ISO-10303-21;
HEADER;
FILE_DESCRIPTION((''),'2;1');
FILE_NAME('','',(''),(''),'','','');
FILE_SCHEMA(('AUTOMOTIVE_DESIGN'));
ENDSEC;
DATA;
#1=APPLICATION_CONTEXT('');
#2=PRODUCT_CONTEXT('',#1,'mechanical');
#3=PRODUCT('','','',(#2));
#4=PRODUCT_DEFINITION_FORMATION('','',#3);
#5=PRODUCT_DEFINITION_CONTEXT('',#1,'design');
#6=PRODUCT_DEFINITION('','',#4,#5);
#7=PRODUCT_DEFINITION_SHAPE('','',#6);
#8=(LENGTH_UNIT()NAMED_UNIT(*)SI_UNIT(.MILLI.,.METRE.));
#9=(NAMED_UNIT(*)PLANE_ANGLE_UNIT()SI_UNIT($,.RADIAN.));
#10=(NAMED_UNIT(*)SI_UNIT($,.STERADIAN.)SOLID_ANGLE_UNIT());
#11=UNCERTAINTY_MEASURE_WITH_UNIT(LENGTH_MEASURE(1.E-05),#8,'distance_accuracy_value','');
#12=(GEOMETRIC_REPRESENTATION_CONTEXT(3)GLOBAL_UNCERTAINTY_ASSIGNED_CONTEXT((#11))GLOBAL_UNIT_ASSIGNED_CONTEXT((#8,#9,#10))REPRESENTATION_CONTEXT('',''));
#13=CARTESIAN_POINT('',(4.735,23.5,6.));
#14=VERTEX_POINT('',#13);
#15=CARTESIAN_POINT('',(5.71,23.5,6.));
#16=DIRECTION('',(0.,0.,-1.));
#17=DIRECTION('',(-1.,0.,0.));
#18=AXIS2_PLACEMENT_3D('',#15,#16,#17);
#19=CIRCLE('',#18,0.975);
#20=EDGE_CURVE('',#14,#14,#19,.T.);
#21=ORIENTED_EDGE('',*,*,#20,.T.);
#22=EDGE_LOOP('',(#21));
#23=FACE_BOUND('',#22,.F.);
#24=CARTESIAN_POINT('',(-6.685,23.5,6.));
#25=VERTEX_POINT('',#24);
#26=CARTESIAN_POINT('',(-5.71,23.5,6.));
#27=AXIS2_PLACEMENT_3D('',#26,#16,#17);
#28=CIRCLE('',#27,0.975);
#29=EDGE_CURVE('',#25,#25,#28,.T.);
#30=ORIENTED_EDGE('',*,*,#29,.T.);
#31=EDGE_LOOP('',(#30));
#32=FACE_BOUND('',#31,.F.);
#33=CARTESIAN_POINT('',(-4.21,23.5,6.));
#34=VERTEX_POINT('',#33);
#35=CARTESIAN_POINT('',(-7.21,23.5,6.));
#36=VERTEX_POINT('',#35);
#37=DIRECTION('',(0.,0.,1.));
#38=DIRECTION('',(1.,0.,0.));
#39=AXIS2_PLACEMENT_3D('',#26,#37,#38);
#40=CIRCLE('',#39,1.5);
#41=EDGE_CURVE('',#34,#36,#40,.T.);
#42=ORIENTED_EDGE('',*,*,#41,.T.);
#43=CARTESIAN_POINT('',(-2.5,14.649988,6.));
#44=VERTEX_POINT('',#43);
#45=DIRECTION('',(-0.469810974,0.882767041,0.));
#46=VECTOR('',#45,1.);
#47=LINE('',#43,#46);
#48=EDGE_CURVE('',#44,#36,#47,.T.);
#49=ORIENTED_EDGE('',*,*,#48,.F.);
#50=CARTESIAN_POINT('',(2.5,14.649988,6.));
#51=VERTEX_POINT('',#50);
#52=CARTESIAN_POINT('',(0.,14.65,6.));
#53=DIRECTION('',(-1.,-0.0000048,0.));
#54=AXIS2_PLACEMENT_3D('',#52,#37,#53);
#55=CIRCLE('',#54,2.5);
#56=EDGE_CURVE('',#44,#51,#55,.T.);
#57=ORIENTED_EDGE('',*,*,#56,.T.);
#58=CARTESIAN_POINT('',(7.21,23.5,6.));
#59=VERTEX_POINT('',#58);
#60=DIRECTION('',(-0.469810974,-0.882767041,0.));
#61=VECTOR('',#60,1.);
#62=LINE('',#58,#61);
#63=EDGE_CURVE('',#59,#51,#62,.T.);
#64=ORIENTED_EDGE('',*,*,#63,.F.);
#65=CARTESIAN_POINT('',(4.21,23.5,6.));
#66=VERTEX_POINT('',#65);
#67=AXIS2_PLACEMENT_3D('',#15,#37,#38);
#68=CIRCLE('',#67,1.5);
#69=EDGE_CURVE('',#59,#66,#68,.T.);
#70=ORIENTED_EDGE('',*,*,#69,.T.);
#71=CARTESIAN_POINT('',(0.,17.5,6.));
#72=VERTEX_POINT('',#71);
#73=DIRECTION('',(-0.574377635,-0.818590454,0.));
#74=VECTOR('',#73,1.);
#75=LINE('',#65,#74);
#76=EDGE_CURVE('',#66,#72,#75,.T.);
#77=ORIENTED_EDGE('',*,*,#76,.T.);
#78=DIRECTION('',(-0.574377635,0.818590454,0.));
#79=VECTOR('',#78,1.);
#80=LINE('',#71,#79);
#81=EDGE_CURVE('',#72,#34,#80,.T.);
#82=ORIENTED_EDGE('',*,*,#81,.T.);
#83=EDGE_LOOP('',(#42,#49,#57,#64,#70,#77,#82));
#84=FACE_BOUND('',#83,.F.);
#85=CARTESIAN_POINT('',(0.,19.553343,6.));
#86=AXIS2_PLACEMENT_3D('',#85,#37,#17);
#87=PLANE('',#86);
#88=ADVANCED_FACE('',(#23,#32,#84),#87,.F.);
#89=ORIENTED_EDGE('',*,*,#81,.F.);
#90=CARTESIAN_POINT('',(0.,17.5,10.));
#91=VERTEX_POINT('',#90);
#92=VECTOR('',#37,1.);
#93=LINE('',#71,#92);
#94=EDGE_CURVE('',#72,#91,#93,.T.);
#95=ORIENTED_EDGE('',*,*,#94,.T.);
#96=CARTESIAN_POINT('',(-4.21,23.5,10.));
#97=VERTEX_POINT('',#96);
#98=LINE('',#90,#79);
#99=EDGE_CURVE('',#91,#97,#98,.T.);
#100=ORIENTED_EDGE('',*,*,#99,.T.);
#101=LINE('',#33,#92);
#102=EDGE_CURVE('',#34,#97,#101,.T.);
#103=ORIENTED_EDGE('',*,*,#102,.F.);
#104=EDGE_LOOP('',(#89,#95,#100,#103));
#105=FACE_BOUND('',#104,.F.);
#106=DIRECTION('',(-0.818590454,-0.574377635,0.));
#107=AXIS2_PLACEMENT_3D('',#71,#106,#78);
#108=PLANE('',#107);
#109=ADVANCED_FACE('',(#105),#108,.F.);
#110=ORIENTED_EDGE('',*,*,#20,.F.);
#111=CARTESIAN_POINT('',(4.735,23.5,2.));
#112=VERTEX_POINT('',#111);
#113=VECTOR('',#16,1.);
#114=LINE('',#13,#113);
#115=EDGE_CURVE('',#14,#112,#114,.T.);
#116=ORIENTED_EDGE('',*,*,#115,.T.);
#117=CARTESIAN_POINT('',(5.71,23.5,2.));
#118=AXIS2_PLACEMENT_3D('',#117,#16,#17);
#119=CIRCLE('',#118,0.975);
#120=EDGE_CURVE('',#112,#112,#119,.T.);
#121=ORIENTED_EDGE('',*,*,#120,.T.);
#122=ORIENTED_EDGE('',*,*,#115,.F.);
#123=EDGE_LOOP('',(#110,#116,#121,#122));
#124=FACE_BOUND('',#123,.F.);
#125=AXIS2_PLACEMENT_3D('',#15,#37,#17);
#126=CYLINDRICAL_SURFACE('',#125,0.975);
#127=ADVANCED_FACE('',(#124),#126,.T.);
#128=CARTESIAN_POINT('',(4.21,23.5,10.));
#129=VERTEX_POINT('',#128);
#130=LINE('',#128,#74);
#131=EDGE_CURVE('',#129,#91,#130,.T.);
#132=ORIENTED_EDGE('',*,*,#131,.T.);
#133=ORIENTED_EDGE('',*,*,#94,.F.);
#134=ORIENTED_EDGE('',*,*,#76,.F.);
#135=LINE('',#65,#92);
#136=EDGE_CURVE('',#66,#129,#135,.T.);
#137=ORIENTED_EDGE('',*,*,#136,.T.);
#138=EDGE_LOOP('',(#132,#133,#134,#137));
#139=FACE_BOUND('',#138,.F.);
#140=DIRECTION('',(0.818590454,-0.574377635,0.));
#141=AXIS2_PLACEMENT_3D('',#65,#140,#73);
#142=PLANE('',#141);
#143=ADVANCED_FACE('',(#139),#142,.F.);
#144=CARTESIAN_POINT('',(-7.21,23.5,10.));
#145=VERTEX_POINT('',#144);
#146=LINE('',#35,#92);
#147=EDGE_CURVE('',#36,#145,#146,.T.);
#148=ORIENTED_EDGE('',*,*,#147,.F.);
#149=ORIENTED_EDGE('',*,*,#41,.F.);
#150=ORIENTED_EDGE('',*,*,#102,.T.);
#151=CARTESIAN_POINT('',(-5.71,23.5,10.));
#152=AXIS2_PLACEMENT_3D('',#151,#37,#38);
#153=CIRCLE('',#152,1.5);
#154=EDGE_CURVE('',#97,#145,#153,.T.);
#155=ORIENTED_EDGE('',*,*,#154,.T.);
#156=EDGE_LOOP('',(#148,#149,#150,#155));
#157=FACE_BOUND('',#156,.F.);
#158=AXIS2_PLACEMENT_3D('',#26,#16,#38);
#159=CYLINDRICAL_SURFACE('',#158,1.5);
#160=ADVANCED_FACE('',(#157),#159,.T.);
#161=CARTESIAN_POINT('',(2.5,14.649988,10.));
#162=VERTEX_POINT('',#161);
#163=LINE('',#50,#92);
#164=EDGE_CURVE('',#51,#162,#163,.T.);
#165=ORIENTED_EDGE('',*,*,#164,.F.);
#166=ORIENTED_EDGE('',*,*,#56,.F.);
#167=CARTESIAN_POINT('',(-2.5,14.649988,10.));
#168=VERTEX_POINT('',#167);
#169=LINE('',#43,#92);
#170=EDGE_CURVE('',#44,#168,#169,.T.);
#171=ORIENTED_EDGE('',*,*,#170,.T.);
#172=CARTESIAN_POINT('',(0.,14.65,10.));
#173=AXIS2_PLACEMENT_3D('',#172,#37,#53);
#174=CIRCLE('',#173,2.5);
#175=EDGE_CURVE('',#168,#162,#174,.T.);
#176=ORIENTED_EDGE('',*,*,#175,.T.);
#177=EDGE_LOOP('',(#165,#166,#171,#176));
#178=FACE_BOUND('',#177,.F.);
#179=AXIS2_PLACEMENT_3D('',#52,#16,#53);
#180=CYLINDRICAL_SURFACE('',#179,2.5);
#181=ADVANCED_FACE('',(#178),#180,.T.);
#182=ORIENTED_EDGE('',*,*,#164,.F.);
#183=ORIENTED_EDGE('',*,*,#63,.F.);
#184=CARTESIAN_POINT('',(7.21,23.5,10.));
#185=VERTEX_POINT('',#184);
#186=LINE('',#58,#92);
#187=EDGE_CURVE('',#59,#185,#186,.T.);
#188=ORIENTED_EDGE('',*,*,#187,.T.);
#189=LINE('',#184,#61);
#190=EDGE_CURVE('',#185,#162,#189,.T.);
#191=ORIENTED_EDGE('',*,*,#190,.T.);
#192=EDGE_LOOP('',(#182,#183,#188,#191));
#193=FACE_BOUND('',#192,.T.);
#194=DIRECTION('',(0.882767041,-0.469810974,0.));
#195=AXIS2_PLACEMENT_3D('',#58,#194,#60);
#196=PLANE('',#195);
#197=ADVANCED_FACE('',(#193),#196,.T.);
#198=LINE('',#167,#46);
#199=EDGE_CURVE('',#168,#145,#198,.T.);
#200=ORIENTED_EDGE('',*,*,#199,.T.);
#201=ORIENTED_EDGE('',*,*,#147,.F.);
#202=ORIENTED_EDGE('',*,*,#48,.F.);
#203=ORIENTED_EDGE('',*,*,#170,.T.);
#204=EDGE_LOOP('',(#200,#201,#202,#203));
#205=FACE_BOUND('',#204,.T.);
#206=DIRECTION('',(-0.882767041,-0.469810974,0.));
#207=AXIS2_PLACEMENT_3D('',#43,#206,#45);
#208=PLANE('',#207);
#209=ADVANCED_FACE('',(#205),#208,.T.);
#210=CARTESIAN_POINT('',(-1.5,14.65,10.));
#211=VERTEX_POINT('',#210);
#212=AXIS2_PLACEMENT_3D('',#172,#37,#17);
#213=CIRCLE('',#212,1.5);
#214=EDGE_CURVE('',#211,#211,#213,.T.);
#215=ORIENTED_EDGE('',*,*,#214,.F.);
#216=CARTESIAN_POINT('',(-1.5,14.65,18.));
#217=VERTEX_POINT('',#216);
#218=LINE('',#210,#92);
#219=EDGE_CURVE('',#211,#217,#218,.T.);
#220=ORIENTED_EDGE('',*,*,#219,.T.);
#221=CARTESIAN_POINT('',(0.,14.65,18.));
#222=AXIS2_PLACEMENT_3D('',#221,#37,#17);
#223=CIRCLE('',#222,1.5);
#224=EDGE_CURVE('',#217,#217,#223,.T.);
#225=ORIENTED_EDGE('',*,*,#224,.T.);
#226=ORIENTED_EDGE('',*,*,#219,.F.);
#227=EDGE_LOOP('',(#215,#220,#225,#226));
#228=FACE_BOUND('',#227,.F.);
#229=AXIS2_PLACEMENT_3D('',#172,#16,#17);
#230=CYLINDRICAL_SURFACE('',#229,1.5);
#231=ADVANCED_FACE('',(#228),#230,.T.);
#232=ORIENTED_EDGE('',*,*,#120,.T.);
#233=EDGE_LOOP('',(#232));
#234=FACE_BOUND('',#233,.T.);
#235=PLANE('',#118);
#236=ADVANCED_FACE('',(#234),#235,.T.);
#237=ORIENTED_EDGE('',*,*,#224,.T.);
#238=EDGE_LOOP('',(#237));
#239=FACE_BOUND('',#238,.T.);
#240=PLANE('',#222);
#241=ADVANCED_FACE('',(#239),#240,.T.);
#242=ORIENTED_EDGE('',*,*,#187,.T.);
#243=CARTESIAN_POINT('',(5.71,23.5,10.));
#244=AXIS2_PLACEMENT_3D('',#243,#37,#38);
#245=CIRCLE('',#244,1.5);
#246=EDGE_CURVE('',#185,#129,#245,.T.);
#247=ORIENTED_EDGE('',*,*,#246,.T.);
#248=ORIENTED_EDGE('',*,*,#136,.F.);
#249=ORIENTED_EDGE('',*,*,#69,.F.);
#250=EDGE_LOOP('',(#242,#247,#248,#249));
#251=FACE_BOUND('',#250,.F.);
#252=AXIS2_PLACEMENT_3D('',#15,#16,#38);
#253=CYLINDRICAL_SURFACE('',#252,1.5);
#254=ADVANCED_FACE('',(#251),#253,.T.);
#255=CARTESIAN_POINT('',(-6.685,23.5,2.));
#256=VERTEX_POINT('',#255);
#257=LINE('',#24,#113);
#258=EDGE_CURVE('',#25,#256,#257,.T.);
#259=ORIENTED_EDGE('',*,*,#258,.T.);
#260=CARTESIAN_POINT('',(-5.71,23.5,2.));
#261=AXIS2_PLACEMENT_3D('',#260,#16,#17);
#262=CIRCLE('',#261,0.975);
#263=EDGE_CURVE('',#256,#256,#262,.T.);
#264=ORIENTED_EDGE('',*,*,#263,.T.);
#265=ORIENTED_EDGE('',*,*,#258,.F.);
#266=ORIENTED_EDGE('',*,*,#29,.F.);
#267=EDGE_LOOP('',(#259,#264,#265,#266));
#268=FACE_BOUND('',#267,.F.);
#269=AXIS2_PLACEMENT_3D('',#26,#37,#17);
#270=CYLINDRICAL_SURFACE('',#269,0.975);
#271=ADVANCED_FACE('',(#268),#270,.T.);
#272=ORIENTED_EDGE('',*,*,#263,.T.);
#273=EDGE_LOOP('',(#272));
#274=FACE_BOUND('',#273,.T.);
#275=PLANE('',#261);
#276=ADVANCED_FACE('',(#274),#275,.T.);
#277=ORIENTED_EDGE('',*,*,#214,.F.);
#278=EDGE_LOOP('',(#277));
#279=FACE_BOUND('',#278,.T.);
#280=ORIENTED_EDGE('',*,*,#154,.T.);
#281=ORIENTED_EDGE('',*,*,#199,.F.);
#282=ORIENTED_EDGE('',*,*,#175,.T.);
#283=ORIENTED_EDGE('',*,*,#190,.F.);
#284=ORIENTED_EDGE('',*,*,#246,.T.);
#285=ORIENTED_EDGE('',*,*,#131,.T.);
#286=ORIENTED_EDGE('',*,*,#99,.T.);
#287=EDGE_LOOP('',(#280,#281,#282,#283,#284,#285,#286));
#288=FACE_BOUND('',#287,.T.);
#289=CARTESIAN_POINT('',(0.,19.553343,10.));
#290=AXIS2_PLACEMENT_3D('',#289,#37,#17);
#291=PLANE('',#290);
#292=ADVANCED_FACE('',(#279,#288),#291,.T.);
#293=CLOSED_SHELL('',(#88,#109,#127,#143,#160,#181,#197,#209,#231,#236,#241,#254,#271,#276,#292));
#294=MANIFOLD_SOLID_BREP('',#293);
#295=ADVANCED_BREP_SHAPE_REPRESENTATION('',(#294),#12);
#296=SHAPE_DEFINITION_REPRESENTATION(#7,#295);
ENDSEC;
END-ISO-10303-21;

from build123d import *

# Parameters (mm, degrees)
PAD014_DEPTH            = 4
SKETCH029_R             = 1.5
PAD016_DEPTH            = 8
SKETCH027_R             = 0.975
PAD015_DEPTH            = 4
BODY005_PLACEMENT_ANGLE = 180


with BuildPart() as part:
    # Sketch028 → Pad014 (new body)
    with BuildSketch(Plane.XY):
        with BuildLine():
            ThreePointArc((4.21, 0), (5.71, -1.5), (7.21, 0))
            Line((2.5, 8.850012), (7.21, 0))
            ThreePointArc((2.5, 8.850012), (0, 11.35), (-2.5, 8.850012))
            Line((-7.21, 0), (-2.5, 8.850012))
            ThreePointArc((-7.21, 0), (-5.71, -1.5), (-4.21, 0))
            Line((-4.21, 0), (0, 6))
            Line((0, 6), (4.21, 0))
        make_face()
    extrude(amount=PAD014_DEPTH)

    # Sketch029 (on Face9 of Pad014) → Pad016 (join)
    with BuildSketch(Plane.XY.offset(4)):
        with Locations((0, 8.85)):
            Circle(SKETCH029_R)
    extrude(amount=PAD016_DEPTH)

    # Sketch027 (on Face4 of Pad016) → Pad015 (join)
    with BuildSketch(Plane(origin=(0, 0, 0), x_dir=(1, 0, 0), z_dir=(0, 0, -1))):
        with Locations((-5.71, 0)):
            Circle(SKETCH027_R)
        with Locations((5.71, 0)):
            Circle(SKETCH027_R)
    extrude(amount=PAD015_DEPTH)


with BuildPart() as part_1:
    # Body005 placement: moved
    add(part.part.moved(Location((0, 23.5, 6))).rotate(Axis((0, 23.5, 6), (0, 0, 1)), BODY005_PLACEMENT_ANGLE))


solid = part_1.part
